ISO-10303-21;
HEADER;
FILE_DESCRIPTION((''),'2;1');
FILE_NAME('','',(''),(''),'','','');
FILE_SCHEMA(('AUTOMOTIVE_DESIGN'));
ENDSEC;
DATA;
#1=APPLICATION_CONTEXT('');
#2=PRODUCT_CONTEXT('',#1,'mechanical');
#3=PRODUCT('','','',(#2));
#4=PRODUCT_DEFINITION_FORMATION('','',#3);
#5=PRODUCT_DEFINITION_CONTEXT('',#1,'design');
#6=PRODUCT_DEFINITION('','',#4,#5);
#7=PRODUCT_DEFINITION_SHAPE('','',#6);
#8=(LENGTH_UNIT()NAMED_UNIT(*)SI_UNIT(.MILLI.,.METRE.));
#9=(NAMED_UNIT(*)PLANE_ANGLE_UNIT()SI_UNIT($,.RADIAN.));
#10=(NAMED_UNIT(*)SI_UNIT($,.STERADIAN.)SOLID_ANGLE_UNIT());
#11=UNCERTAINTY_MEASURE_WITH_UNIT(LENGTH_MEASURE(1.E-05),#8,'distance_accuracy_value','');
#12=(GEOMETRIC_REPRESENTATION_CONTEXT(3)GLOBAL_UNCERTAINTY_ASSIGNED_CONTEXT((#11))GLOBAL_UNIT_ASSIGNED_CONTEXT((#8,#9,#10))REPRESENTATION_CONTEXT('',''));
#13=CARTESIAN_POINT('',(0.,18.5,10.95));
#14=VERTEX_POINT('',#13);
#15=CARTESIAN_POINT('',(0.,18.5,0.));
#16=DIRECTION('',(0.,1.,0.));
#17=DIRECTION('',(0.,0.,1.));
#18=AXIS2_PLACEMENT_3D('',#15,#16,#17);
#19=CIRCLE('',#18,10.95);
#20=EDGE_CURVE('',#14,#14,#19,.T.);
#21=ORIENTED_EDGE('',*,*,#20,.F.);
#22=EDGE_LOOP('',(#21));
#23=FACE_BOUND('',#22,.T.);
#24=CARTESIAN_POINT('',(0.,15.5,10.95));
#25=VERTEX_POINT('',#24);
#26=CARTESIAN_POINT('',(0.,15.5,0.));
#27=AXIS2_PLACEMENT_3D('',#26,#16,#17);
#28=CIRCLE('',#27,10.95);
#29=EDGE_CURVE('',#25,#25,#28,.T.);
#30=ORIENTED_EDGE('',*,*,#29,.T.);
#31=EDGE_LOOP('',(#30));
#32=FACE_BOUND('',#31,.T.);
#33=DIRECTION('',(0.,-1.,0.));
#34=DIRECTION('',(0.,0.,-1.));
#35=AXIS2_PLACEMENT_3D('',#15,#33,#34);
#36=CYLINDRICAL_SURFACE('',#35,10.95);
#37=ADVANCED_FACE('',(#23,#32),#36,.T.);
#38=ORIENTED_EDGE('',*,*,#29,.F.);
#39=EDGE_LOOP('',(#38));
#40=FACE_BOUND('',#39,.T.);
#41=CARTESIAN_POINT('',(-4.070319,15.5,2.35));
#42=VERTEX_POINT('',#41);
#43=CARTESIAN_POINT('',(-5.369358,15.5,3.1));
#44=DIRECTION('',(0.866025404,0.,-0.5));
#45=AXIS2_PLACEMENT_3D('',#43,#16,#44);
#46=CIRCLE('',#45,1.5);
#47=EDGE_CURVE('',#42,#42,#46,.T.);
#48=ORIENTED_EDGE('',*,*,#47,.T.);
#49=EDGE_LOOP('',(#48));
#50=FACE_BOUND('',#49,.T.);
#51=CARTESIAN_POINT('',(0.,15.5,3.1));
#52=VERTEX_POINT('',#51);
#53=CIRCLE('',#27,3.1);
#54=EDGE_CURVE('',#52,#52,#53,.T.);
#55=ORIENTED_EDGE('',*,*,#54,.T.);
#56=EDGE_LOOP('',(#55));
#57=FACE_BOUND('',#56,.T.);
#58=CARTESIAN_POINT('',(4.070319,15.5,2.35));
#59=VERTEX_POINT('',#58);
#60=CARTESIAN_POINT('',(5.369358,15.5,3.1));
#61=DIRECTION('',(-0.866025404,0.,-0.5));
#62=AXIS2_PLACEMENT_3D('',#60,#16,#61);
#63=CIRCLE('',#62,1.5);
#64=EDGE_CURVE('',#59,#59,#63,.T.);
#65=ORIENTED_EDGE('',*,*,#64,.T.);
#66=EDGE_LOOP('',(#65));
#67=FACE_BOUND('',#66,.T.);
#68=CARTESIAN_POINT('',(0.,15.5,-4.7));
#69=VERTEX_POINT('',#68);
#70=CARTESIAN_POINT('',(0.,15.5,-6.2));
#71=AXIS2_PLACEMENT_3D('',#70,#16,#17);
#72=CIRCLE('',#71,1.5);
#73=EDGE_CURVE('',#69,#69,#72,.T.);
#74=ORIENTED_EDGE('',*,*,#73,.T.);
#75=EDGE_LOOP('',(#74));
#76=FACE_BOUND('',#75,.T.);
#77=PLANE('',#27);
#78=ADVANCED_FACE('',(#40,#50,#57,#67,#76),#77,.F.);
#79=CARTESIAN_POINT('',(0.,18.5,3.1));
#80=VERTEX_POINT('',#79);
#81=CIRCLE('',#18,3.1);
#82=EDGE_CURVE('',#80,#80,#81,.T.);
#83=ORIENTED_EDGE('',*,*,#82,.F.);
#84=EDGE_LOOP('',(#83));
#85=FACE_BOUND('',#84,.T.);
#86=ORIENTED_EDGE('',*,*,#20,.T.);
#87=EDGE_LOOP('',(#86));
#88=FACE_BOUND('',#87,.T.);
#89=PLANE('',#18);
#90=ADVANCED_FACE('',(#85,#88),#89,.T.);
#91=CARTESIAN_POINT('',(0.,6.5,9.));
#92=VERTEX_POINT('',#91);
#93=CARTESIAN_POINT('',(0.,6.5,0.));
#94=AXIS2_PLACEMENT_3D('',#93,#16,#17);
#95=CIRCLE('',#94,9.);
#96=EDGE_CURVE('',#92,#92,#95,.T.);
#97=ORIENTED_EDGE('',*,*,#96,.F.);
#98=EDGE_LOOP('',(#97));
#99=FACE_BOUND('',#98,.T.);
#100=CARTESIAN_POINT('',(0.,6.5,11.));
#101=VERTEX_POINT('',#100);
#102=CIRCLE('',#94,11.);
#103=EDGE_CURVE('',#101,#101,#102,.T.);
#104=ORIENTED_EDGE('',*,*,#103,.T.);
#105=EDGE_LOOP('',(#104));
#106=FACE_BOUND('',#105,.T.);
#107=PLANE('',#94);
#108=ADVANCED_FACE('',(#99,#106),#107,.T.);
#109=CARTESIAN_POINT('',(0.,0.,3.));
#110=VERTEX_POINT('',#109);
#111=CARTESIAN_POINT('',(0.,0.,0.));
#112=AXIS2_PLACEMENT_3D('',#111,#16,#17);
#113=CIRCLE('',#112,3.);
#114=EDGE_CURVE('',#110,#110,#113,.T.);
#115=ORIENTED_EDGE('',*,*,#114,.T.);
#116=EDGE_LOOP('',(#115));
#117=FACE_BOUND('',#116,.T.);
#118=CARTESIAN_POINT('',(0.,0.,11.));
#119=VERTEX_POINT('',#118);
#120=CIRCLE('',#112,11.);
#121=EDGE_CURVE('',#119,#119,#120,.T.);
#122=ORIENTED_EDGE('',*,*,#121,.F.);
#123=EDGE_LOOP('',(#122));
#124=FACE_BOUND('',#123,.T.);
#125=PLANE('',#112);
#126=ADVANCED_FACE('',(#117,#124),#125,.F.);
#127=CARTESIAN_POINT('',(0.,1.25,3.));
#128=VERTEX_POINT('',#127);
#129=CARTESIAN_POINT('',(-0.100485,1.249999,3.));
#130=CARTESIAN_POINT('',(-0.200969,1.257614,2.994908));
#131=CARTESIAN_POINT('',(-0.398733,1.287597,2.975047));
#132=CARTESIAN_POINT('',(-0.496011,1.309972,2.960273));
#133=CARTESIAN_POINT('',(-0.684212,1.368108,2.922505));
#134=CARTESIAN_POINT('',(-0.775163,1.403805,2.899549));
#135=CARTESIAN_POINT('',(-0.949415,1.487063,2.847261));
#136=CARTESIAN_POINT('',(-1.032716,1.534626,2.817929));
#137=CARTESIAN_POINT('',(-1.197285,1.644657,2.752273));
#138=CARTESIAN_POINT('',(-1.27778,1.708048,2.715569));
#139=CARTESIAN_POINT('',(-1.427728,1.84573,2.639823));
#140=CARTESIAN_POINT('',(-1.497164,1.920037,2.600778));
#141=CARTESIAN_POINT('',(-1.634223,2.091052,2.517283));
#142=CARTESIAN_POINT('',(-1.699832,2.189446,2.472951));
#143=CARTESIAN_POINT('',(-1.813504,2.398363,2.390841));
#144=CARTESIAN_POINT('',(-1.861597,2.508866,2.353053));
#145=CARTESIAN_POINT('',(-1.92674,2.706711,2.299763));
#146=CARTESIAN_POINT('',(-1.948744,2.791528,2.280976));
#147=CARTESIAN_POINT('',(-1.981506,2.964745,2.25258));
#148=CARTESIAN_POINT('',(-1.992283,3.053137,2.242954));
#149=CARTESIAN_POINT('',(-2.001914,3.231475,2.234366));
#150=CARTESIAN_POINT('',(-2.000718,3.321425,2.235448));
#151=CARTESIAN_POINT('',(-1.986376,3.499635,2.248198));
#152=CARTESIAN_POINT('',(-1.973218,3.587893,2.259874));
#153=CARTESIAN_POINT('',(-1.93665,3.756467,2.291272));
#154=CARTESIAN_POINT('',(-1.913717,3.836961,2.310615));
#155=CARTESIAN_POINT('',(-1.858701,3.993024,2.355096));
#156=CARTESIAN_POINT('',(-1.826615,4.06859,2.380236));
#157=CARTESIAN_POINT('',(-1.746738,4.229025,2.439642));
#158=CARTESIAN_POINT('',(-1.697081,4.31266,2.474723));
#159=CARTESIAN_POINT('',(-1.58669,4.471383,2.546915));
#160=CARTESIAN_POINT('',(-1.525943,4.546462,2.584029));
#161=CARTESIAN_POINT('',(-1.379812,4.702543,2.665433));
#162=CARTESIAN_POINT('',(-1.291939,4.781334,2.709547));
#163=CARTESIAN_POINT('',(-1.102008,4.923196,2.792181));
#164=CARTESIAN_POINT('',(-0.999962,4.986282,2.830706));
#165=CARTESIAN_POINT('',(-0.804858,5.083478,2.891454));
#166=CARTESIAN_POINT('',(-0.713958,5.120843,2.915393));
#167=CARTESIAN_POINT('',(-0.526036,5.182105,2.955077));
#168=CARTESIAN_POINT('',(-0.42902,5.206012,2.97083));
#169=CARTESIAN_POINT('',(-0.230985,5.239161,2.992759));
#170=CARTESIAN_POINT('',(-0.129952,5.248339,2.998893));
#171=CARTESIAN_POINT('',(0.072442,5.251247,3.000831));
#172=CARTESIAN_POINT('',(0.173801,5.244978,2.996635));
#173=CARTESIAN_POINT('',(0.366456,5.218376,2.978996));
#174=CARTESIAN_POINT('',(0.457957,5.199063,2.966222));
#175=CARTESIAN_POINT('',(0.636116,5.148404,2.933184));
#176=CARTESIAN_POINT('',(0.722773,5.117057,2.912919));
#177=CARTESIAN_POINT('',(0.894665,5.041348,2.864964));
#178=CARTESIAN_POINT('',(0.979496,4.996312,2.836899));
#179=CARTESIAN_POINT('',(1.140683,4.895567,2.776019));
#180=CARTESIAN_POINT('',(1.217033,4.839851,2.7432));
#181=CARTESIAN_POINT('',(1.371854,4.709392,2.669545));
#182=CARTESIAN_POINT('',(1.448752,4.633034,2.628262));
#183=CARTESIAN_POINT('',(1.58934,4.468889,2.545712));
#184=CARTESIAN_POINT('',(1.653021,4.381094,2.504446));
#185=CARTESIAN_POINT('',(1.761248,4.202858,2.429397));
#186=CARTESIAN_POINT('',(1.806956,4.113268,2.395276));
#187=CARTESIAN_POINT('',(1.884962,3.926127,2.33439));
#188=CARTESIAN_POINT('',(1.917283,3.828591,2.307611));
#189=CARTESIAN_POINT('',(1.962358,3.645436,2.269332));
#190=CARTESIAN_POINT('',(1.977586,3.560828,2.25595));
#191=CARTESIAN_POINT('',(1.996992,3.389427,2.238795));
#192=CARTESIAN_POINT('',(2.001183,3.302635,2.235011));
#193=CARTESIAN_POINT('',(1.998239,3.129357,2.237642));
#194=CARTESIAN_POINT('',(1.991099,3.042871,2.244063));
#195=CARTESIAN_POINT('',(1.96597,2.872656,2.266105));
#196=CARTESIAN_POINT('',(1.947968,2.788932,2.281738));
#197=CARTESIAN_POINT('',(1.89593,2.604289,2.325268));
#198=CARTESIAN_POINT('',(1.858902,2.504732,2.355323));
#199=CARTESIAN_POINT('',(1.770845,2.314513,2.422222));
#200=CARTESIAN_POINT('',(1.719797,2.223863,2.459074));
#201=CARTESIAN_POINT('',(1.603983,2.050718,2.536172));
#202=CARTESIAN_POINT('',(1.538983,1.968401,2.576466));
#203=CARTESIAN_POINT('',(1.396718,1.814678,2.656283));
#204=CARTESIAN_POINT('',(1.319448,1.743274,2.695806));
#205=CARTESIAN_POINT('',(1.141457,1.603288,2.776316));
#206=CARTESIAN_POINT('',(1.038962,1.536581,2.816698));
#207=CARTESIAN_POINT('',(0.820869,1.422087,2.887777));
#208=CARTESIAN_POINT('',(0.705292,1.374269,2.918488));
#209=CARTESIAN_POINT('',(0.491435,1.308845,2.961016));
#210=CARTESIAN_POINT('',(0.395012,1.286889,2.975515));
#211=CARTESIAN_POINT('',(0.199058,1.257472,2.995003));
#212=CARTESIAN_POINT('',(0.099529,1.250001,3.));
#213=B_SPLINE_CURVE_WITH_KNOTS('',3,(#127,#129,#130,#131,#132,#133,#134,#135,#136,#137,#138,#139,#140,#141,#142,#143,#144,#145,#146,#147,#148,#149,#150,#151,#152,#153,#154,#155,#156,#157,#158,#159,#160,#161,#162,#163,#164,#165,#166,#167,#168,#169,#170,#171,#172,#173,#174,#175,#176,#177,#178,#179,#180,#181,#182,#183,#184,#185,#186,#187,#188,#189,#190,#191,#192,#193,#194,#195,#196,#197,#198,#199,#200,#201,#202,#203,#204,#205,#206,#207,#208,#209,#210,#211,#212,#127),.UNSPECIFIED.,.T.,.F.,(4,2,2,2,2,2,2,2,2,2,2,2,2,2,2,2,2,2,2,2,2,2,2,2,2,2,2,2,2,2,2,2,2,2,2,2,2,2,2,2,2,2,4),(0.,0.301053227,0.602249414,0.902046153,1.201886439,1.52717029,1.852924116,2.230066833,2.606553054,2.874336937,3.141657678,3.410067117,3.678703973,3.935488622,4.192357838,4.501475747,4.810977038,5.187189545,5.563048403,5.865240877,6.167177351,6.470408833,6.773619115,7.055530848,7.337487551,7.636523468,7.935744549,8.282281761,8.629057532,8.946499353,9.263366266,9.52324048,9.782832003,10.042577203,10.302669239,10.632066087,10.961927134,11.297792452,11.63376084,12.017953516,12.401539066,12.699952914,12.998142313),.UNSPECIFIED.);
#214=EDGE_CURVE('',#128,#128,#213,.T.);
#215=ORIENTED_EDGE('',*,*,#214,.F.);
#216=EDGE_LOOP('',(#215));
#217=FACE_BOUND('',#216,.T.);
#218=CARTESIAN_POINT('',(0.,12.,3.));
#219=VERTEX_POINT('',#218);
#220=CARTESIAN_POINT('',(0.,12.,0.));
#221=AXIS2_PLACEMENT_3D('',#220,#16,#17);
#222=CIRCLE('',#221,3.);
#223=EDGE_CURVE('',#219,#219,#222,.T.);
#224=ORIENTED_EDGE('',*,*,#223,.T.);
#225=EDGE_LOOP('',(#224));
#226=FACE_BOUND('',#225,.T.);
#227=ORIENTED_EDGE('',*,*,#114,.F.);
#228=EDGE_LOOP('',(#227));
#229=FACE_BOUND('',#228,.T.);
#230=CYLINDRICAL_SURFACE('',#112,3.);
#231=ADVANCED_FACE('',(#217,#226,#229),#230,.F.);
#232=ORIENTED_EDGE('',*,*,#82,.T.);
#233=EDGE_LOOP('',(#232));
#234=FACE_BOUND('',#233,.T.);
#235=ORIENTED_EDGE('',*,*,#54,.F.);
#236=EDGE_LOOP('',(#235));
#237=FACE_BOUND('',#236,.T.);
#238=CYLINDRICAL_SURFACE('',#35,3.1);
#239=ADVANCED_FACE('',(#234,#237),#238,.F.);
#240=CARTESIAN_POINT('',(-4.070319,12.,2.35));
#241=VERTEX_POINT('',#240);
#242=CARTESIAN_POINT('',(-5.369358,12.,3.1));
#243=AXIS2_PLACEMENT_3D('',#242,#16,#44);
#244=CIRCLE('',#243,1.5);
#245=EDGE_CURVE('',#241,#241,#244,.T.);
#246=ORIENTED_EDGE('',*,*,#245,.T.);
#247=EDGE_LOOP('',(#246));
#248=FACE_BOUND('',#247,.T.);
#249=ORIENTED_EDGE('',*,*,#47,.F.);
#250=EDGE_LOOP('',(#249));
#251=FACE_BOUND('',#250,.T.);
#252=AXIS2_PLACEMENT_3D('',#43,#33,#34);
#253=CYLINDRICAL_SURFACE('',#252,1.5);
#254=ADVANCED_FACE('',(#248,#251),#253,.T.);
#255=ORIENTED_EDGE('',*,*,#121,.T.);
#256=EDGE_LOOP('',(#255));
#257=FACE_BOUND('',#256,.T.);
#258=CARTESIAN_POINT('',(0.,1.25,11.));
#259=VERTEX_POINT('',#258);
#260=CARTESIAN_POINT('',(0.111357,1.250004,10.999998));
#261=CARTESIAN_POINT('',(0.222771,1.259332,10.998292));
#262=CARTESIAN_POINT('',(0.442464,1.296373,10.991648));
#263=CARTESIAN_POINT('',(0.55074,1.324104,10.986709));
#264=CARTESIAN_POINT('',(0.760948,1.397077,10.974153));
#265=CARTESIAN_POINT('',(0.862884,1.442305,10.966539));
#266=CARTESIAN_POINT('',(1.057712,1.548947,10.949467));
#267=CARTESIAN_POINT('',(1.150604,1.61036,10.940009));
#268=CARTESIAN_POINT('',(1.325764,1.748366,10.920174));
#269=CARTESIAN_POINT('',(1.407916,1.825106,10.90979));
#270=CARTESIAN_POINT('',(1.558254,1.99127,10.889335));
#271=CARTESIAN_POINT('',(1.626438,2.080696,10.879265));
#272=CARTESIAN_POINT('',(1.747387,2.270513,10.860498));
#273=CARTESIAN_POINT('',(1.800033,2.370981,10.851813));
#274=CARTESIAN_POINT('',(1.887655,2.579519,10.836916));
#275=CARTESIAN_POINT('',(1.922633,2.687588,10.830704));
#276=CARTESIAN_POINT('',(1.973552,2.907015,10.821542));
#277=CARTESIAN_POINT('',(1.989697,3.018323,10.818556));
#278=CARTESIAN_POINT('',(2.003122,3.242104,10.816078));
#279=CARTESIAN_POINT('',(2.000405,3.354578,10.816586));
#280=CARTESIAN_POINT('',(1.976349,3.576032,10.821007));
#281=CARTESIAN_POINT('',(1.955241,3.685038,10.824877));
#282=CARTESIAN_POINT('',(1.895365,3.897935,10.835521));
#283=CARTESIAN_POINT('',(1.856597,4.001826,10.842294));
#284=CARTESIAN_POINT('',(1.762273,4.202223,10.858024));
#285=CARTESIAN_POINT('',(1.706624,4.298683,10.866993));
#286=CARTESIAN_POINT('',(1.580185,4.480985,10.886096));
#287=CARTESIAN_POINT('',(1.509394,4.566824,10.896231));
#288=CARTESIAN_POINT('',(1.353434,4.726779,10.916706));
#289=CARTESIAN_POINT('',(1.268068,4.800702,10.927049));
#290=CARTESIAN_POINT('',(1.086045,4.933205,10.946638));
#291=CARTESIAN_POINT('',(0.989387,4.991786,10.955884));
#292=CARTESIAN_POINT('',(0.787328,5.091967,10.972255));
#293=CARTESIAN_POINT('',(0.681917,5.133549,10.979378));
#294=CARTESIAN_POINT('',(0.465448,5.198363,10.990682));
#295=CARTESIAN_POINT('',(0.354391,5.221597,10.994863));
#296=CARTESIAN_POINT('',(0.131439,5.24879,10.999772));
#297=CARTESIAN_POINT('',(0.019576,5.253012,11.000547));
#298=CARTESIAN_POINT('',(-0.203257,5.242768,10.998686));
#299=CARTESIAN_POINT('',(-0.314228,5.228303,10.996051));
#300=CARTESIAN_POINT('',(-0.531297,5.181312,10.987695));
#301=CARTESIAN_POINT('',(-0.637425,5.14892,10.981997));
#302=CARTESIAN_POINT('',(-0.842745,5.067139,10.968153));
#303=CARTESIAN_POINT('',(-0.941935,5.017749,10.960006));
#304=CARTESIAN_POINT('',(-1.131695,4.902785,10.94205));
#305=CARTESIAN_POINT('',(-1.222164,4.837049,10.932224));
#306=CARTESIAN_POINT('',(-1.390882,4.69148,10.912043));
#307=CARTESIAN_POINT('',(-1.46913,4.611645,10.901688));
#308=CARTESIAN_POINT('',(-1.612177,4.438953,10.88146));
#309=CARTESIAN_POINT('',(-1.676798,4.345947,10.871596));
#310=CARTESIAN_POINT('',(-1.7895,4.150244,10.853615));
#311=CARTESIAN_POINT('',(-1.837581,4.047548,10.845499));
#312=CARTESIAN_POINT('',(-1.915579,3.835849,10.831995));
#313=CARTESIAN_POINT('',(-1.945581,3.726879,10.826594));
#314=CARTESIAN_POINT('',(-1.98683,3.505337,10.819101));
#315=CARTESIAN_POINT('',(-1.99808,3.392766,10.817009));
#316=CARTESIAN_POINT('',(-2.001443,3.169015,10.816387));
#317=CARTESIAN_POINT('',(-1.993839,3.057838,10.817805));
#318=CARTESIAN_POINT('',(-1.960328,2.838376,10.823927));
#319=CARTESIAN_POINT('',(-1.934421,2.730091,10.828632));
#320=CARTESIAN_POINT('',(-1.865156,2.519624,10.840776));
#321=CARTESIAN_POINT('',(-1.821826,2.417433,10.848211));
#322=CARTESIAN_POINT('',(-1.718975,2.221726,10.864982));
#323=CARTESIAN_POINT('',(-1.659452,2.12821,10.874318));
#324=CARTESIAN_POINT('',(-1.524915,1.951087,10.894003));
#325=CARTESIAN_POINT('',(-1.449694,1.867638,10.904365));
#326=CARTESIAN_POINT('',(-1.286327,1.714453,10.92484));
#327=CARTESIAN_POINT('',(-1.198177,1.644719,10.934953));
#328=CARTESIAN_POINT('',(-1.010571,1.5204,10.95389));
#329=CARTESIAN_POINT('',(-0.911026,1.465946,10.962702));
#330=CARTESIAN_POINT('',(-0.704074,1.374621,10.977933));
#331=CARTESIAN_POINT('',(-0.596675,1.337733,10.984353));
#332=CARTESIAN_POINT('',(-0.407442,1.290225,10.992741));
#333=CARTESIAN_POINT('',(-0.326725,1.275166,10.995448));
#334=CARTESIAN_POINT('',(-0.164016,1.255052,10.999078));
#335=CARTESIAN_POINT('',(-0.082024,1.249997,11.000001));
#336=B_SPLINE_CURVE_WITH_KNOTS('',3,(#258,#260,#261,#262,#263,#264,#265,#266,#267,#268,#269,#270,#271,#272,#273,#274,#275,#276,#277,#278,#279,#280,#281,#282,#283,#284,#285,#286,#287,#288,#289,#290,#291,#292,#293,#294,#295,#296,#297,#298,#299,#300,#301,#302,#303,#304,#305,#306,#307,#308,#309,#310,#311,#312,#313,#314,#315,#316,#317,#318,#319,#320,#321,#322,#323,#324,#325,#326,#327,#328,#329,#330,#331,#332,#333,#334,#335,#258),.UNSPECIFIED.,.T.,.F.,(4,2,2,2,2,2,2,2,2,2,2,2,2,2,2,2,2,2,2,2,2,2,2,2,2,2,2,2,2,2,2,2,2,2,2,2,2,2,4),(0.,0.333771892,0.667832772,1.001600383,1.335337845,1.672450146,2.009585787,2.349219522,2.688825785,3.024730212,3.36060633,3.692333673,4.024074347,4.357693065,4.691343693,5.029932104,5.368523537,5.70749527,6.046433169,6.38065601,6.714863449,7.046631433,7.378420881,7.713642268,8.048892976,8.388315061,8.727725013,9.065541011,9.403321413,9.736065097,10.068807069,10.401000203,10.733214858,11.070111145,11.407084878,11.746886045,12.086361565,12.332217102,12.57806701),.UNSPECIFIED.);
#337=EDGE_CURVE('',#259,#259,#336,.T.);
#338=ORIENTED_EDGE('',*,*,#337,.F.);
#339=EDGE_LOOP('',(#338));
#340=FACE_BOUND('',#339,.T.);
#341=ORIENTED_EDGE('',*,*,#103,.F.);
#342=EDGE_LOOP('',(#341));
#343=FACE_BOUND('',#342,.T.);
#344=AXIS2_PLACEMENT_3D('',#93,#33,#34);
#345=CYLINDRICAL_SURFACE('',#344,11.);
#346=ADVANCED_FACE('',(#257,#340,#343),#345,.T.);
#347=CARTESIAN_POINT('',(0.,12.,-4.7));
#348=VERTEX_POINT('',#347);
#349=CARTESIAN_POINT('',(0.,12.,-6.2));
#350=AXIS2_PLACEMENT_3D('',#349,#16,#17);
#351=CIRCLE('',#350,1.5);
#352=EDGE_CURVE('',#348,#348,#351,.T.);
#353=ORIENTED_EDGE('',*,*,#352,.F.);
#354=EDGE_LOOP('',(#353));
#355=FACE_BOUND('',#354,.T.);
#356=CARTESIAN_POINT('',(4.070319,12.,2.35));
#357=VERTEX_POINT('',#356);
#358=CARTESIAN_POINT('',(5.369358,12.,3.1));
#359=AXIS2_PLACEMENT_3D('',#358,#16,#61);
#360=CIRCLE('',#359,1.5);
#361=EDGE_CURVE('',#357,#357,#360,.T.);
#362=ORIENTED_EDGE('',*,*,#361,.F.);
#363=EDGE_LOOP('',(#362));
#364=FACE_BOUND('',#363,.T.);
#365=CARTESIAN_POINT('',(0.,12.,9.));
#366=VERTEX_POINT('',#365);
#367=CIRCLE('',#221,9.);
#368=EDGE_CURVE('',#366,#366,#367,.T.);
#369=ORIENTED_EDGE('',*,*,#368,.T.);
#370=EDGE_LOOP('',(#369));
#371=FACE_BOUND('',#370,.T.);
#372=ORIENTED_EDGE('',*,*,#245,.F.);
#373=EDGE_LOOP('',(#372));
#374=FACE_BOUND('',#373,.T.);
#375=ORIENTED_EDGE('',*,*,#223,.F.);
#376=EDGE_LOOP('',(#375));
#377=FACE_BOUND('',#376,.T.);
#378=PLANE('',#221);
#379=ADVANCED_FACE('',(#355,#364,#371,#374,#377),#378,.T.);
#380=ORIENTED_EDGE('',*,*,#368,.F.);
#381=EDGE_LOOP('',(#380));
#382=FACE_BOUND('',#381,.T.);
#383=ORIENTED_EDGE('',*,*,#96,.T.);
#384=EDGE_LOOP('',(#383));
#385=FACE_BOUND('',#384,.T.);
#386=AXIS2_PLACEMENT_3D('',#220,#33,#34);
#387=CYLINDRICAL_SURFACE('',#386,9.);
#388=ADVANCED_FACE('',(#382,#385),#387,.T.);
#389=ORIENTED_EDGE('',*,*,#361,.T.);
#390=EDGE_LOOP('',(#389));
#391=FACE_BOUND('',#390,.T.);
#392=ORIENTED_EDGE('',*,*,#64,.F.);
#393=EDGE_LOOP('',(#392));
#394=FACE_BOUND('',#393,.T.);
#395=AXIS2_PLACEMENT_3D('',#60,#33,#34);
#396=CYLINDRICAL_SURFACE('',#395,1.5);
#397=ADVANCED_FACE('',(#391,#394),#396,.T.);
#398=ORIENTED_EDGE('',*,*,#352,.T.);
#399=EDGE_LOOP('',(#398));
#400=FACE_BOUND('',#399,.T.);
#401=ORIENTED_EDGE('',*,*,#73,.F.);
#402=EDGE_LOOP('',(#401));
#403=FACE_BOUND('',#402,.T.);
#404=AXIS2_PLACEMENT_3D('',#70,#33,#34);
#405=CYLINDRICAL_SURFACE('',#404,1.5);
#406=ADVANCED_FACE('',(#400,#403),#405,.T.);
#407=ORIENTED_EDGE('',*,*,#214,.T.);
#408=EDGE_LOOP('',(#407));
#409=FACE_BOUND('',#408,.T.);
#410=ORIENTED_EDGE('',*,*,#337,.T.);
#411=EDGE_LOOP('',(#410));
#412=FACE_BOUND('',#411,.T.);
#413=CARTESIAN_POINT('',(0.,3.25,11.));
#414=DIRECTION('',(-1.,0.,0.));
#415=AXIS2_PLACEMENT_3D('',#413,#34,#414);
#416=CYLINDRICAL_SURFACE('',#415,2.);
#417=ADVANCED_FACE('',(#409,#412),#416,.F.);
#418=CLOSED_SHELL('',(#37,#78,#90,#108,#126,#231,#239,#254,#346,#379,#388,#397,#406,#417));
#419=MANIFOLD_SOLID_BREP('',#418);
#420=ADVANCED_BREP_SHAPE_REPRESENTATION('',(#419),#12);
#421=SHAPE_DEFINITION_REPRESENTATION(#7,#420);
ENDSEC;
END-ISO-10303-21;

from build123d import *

# Parameters (mm, degrees)
SKETCH1_R           = 11
BOSS_EXTRUDE1_DEPTH = 6.5
SKETCH2_R           = 9
BOSS_EXTRUDE2_DEPTH = 5.5
SKETCH3_R           = 3
CUT_EXTRUDE1_DEPTH  = 13
SKETCH4_R           = 1.5
BOSS_EXTRUDE3_DEPTH = 3.5
CIRPATTERN1_COUNT   = 3
SKETCH5_R           = 10.95
SKETCH5_R_2         = 3.1
BOSS_EXTRUDE4_DEPTH = 3
SKETCH7_R           = 2
CUT_EXTRUDE2_DEPTH  = 12


with BuildPart() as part:
    # Sketch1 → Boss-Extrude1 (new body)
    with BuildSketch(Plane(origin=(0, 0, 0), x_dir=(1, 0, 0), z_dir=(0, 1, 0))):
        Circle(SKETCH1_R)
    extrude(amount=BOSS_EXTRUDE1_DEPTH)

    # Sketch2 → Boss-Extrude2 (add)
    with BuildSketch(Plane(origin=(0, 6.5, 0), x_dir=(1, 0, 0), z_dir=(0, 1, 0))):
        Circle(SKETCH2_R)
    extrude(amount=BOSS_EXTRUDE2_DEPTH)

    # Sketch3 → Cut-Extrude1 (cut, through all)
    with BuildSketch(Plane(origin=(0, 12, 0), x_dir=(1, 0, 0), z_dir=(0, 1, 0))):
        Circle(SKETCH3_R)
    extrude(amount=-CUT_EXTRUDE1_DEPTH, mode=Mode.SUBTRACT)

    # Sketch4 → Boss-Extrude3 (add)
    with BuildSketch(Plane(origin=(0, 12, 0), x_dir=(1, 0, 0), z_dir=(0, 1, 0))):
        with Locations((0, 6.2)):
            Circle(SKETCH4_R)
    boss_extrude3 = extrude(amount=BOSS_EXTRUDE3_DEPTH)

    # CirPattern1: Boss-Extrude3 ×3 about axis
    cirpattern1_axis = Axis((0, 0, 0), (0, 1, 0))
    for i in range(1, CIRPATTERN1_COUNT):
        add(boss_extrude3.rotate(cirpattern1_axis, i * 360 / CIRPATTERN1_COUNT))

    # Sketch5 → Boss-Extrude4 (add)
    with BuildSketch(Plane(origin=(0, 15.5, 0), x_dir=(1, 0, 0), z_dir=(0, 1, 0))):
        Circle(SKETCH5_R)
        Circle(SKETCH5_R_2, mode=Mode.SUBTRACT)
    extrude(amount=BOSS_EXTRUDE4_DEPTH)

    # Sketch7 → Cut-Extrude2 (cut, through all)
    with BuildSketch(Plane.XY):
        with Locations((0, 3.25)):
            Circle(SKETCH7_R)
    extrude(amount=CUT_EXTRUDE2_DEPTH, mode=Mode.SUBTRACT)


solid = part.part
